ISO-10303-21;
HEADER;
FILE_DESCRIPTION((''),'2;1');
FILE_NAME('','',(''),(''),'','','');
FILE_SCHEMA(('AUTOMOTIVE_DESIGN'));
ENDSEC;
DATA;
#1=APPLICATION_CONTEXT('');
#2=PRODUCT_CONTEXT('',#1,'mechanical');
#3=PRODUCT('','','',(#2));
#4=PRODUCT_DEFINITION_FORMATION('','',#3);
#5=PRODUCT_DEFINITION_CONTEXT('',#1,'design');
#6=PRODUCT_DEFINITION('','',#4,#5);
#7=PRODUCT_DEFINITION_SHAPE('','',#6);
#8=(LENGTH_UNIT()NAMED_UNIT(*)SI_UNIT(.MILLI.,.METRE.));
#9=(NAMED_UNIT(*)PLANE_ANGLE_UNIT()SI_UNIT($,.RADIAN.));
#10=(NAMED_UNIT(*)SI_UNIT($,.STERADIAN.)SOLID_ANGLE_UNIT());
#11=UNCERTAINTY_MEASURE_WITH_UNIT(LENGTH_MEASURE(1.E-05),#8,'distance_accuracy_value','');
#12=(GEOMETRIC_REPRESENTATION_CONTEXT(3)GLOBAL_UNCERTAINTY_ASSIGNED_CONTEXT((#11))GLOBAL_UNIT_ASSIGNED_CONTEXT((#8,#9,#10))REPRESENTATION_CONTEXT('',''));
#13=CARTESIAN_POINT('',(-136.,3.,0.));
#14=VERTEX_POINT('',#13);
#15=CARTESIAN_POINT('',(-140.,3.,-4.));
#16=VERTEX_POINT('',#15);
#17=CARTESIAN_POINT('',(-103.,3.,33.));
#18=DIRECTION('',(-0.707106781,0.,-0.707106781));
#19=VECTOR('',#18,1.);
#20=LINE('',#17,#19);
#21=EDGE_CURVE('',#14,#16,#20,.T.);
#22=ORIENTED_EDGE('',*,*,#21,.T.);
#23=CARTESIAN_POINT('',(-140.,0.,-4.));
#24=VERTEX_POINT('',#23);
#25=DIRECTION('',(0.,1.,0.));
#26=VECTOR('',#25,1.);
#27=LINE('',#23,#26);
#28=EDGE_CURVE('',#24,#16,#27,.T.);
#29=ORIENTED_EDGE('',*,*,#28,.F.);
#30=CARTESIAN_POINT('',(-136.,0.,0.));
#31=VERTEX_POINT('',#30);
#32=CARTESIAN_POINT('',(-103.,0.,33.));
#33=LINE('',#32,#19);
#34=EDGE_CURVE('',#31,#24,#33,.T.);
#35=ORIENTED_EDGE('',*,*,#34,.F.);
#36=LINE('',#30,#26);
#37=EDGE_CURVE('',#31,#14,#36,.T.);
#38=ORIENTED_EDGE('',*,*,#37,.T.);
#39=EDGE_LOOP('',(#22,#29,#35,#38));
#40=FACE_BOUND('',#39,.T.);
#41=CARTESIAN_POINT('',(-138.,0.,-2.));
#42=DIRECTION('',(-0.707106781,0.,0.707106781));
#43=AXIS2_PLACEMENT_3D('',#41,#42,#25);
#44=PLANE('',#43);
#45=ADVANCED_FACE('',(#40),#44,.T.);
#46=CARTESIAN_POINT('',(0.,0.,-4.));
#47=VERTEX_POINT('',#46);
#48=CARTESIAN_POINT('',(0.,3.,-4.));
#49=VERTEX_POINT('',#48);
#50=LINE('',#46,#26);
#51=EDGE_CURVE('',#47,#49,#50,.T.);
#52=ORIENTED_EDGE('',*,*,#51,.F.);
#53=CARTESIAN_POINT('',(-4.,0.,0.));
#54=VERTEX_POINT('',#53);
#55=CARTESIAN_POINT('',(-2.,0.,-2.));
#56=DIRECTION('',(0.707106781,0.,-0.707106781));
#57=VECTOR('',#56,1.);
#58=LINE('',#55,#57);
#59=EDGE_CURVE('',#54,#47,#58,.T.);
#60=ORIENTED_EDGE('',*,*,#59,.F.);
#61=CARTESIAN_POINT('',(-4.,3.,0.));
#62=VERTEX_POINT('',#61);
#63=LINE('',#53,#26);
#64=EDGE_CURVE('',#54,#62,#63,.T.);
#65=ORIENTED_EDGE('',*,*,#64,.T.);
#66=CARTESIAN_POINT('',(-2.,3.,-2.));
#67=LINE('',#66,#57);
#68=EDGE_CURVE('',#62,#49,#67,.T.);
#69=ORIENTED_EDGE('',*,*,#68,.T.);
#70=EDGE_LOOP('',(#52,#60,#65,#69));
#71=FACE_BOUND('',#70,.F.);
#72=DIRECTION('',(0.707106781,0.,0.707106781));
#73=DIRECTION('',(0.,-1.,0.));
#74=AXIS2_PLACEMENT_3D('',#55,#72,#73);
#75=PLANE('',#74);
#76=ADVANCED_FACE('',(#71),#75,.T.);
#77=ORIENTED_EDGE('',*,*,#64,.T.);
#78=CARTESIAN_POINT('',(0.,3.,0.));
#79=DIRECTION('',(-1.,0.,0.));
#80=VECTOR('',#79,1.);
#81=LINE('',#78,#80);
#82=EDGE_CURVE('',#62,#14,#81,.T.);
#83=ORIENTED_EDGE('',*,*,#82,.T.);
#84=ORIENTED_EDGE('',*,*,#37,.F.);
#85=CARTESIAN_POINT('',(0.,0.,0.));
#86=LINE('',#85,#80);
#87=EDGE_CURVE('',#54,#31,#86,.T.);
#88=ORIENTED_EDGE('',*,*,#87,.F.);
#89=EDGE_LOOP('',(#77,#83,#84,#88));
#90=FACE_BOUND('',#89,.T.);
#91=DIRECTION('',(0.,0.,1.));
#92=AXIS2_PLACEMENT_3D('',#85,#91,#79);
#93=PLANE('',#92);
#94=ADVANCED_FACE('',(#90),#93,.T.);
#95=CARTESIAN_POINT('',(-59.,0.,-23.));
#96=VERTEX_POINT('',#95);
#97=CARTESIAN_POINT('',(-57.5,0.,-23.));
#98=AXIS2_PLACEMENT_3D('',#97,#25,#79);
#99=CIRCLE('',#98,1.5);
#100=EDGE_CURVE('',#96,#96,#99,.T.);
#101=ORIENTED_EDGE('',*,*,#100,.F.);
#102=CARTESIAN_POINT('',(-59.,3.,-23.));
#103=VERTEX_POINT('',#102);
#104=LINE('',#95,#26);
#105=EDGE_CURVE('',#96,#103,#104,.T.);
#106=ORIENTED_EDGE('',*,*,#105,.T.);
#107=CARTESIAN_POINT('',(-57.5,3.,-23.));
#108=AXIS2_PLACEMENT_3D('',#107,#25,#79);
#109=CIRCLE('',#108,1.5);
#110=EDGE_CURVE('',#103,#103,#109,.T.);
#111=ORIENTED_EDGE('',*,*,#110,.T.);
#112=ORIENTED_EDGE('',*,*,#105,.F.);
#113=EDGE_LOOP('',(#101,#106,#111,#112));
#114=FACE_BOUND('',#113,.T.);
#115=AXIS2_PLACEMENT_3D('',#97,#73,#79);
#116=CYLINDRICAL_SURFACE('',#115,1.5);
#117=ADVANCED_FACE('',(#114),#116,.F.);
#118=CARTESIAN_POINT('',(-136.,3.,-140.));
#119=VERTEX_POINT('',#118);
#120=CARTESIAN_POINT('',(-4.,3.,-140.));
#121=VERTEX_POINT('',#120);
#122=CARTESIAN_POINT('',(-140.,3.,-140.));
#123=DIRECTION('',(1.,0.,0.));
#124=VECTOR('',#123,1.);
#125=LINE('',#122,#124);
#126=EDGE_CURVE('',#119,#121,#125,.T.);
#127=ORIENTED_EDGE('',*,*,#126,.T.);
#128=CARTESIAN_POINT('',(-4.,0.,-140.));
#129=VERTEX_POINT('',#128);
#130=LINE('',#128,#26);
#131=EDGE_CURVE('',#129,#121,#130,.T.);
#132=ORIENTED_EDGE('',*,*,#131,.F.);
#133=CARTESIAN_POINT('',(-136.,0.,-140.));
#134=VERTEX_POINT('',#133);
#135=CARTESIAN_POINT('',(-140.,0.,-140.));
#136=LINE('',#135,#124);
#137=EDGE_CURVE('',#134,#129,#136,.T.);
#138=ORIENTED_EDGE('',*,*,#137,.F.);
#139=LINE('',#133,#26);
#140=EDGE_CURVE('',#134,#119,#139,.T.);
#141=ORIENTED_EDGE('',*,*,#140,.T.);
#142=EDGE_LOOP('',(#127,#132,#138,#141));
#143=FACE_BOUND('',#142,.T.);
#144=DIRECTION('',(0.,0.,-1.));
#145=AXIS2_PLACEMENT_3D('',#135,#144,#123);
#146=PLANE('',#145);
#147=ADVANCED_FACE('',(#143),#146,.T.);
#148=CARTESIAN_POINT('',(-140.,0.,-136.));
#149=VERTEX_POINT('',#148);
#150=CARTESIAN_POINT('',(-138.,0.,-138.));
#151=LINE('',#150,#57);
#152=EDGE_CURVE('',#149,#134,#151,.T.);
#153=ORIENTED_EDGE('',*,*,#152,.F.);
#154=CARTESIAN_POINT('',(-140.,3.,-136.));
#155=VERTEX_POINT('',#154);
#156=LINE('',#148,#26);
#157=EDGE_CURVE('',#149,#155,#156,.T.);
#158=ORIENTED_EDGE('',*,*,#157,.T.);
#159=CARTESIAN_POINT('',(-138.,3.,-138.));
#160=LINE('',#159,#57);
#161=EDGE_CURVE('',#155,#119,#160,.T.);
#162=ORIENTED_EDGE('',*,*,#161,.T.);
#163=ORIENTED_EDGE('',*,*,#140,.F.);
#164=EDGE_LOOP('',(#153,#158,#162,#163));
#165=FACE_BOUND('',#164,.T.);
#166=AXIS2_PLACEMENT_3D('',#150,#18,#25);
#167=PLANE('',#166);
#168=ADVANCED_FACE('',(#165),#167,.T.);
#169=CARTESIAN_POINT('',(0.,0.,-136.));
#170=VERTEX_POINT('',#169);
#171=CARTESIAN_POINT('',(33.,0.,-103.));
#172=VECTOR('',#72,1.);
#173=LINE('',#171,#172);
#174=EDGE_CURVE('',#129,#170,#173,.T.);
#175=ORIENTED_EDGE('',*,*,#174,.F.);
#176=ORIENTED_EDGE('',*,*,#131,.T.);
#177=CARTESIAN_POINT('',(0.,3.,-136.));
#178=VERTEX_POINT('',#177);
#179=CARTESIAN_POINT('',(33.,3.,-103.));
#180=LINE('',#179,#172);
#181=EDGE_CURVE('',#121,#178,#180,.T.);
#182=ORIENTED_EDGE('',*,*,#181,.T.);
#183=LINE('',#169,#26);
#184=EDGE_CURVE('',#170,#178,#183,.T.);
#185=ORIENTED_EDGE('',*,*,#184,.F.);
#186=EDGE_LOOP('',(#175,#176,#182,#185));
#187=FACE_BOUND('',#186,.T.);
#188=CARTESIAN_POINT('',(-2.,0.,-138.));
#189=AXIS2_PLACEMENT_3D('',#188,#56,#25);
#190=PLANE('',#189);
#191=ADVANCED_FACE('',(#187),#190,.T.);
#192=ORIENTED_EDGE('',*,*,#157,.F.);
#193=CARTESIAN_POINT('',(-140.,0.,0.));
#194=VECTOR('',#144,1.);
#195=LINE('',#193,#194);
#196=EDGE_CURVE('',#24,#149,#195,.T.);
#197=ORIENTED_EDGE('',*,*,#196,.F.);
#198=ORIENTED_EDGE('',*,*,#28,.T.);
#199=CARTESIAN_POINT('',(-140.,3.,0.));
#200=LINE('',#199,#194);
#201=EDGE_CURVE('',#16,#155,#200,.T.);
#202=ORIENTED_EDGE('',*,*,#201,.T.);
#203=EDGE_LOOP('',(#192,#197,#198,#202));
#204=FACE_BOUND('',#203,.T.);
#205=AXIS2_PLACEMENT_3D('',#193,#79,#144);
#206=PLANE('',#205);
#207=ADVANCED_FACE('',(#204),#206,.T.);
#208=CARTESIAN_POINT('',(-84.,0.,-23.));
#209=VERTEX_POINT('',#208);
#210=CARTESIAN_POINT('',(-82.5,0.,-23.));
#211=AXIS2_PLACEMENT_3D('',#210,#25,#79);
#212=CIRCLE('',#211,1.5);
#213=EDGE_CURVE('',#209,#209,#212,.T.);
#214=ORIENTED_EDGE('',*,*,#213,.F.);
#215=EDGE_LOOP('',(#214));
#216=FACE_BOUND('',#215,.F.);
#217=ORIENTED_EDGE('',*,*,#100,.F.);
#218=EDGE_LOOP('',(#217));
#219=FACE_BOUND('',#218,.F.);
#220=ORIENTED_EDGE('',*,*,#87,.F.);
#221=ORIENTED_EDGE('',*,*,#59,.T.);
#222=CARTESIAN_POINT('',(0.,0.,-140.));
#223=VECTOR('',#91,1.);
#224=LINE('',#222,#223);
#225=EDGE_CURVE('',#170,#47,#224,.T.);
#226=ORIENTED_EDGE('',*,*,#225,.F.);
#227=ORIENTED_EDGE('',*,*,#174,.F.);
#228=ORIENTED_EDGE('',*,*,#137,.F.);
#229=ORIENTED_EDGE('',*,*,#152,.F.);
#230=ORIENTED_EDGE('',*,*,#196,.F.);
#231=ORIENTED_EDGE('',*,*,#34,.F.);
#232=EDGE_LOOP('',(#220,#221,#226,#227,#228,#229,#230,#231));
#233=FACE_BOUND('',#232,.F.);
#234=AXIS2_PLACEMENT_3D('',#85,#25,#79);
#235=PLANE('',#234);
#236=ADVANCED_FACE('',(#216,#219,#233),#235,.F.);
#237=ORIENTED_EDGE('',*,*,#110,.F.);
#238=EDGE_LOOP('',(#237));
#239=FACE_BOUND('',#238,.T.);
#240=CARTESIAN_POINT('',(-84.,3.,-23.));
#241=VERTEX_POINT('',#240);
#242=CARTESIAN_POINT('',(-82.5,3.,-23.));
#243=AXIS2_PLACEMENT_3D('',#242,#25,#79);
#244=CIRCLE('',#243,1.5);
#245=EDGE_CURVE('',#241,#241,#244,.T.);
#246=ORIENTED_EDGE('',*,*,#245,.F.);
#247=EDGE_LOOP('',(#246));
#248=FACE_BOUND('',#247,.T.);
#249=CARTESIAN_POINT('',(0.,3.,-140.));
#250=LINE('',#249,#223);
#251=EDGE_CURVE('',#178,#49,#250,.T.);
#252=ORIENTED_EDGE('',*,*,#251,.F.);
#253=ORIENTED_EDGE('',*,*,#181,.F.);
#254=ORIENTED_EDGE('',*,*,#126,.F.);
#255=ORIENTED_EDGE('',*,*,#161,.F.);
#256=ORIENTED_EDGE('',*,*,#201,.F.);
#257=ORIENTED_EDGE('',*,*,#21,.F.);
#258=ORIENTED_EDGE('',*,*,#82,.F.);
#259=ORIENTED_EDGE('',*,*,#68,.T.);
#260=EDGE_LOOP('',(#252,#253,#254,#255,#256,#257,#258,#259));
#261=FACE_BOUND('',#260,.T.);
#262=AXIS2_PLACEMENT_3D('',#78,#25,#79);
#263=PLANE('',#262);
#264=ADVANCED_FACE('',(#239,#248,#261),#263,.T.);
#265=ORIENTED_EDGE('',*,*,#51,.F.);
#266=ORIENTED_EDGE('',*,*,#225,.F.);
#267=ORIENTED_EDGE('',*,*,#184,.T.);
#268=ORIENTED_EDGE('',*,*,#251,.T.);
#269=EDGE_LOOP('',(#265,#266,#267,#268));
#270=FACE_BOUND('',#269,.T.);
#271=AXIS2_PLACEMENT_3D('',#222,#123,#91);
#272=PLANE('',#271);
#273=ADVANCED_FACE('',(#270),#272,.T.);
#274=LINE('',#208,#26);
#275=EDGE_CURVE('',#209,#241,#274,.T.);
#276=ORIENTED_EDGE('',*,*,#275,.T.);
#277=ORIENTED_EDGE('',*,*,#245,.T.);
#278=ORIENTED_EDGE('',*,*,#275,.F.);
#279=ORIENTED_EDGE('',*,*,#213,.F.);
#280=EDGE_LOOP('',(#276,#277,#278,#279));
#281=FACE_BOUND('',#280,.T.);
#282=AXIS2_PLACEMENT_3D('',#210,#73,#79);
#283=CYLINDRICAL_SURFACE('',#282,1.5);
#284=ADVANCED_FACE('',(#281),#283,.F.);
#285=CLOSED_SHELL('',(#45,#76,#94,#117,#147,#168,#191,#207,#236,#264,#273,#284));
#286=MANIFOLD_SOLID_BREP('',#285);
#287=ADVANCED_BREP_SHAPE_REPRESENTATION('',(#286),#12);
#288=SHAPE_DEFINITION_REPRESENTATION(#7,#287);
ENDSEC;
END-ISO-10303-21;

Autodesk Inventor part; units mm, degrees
ref_plane "YZ Plane" through (0, 0, 0) normal (1, 0, 0) x (0, 1, 0)
ref_plane "XZ Plane" through (0, 0, 0) normal (0, 1, 0) x (-1, 0, 0)
ref_plane "XY Plane" through (0, 0, 0) normal (0, 0, 1) x (1, 0, 0)
sketch "Sketch1" plane through (0, 0, 0) normal (0, 1, 0) x (-1, 0, 0)
  line L0 (0, 0) -> (140, 0)
  line L1 (140, 0) -> (140, -140)
  line L2 (140, -140) -> (0, -140)
  line L3 (0, -140) -> (0, 0)
  circle A0 centre (82.5, -23) radius 1.5
  circle A1 centre (57.5, -23) radius 1.5
  line L4 (82.5, -23) -> (57.5, -23) construction
  point P0 (70, -23)
  point P1 (70, 0)
  dimension "d0" = 140
  dimension "d1" = 140
  dimension "d2" = 3
  dimension "d3" = 23
  dimension "d4" = 25
extrude "Extrusion1" add sketch "Sketch1" along normal blind 3
chamfer "Chamfer1" distance 4 angle 45 4 edges at (-140, 1.5, 0) (-140, 1.5, -140) (0, 1.5, -140) (0, 1.5, 0)
properties part number "table"
